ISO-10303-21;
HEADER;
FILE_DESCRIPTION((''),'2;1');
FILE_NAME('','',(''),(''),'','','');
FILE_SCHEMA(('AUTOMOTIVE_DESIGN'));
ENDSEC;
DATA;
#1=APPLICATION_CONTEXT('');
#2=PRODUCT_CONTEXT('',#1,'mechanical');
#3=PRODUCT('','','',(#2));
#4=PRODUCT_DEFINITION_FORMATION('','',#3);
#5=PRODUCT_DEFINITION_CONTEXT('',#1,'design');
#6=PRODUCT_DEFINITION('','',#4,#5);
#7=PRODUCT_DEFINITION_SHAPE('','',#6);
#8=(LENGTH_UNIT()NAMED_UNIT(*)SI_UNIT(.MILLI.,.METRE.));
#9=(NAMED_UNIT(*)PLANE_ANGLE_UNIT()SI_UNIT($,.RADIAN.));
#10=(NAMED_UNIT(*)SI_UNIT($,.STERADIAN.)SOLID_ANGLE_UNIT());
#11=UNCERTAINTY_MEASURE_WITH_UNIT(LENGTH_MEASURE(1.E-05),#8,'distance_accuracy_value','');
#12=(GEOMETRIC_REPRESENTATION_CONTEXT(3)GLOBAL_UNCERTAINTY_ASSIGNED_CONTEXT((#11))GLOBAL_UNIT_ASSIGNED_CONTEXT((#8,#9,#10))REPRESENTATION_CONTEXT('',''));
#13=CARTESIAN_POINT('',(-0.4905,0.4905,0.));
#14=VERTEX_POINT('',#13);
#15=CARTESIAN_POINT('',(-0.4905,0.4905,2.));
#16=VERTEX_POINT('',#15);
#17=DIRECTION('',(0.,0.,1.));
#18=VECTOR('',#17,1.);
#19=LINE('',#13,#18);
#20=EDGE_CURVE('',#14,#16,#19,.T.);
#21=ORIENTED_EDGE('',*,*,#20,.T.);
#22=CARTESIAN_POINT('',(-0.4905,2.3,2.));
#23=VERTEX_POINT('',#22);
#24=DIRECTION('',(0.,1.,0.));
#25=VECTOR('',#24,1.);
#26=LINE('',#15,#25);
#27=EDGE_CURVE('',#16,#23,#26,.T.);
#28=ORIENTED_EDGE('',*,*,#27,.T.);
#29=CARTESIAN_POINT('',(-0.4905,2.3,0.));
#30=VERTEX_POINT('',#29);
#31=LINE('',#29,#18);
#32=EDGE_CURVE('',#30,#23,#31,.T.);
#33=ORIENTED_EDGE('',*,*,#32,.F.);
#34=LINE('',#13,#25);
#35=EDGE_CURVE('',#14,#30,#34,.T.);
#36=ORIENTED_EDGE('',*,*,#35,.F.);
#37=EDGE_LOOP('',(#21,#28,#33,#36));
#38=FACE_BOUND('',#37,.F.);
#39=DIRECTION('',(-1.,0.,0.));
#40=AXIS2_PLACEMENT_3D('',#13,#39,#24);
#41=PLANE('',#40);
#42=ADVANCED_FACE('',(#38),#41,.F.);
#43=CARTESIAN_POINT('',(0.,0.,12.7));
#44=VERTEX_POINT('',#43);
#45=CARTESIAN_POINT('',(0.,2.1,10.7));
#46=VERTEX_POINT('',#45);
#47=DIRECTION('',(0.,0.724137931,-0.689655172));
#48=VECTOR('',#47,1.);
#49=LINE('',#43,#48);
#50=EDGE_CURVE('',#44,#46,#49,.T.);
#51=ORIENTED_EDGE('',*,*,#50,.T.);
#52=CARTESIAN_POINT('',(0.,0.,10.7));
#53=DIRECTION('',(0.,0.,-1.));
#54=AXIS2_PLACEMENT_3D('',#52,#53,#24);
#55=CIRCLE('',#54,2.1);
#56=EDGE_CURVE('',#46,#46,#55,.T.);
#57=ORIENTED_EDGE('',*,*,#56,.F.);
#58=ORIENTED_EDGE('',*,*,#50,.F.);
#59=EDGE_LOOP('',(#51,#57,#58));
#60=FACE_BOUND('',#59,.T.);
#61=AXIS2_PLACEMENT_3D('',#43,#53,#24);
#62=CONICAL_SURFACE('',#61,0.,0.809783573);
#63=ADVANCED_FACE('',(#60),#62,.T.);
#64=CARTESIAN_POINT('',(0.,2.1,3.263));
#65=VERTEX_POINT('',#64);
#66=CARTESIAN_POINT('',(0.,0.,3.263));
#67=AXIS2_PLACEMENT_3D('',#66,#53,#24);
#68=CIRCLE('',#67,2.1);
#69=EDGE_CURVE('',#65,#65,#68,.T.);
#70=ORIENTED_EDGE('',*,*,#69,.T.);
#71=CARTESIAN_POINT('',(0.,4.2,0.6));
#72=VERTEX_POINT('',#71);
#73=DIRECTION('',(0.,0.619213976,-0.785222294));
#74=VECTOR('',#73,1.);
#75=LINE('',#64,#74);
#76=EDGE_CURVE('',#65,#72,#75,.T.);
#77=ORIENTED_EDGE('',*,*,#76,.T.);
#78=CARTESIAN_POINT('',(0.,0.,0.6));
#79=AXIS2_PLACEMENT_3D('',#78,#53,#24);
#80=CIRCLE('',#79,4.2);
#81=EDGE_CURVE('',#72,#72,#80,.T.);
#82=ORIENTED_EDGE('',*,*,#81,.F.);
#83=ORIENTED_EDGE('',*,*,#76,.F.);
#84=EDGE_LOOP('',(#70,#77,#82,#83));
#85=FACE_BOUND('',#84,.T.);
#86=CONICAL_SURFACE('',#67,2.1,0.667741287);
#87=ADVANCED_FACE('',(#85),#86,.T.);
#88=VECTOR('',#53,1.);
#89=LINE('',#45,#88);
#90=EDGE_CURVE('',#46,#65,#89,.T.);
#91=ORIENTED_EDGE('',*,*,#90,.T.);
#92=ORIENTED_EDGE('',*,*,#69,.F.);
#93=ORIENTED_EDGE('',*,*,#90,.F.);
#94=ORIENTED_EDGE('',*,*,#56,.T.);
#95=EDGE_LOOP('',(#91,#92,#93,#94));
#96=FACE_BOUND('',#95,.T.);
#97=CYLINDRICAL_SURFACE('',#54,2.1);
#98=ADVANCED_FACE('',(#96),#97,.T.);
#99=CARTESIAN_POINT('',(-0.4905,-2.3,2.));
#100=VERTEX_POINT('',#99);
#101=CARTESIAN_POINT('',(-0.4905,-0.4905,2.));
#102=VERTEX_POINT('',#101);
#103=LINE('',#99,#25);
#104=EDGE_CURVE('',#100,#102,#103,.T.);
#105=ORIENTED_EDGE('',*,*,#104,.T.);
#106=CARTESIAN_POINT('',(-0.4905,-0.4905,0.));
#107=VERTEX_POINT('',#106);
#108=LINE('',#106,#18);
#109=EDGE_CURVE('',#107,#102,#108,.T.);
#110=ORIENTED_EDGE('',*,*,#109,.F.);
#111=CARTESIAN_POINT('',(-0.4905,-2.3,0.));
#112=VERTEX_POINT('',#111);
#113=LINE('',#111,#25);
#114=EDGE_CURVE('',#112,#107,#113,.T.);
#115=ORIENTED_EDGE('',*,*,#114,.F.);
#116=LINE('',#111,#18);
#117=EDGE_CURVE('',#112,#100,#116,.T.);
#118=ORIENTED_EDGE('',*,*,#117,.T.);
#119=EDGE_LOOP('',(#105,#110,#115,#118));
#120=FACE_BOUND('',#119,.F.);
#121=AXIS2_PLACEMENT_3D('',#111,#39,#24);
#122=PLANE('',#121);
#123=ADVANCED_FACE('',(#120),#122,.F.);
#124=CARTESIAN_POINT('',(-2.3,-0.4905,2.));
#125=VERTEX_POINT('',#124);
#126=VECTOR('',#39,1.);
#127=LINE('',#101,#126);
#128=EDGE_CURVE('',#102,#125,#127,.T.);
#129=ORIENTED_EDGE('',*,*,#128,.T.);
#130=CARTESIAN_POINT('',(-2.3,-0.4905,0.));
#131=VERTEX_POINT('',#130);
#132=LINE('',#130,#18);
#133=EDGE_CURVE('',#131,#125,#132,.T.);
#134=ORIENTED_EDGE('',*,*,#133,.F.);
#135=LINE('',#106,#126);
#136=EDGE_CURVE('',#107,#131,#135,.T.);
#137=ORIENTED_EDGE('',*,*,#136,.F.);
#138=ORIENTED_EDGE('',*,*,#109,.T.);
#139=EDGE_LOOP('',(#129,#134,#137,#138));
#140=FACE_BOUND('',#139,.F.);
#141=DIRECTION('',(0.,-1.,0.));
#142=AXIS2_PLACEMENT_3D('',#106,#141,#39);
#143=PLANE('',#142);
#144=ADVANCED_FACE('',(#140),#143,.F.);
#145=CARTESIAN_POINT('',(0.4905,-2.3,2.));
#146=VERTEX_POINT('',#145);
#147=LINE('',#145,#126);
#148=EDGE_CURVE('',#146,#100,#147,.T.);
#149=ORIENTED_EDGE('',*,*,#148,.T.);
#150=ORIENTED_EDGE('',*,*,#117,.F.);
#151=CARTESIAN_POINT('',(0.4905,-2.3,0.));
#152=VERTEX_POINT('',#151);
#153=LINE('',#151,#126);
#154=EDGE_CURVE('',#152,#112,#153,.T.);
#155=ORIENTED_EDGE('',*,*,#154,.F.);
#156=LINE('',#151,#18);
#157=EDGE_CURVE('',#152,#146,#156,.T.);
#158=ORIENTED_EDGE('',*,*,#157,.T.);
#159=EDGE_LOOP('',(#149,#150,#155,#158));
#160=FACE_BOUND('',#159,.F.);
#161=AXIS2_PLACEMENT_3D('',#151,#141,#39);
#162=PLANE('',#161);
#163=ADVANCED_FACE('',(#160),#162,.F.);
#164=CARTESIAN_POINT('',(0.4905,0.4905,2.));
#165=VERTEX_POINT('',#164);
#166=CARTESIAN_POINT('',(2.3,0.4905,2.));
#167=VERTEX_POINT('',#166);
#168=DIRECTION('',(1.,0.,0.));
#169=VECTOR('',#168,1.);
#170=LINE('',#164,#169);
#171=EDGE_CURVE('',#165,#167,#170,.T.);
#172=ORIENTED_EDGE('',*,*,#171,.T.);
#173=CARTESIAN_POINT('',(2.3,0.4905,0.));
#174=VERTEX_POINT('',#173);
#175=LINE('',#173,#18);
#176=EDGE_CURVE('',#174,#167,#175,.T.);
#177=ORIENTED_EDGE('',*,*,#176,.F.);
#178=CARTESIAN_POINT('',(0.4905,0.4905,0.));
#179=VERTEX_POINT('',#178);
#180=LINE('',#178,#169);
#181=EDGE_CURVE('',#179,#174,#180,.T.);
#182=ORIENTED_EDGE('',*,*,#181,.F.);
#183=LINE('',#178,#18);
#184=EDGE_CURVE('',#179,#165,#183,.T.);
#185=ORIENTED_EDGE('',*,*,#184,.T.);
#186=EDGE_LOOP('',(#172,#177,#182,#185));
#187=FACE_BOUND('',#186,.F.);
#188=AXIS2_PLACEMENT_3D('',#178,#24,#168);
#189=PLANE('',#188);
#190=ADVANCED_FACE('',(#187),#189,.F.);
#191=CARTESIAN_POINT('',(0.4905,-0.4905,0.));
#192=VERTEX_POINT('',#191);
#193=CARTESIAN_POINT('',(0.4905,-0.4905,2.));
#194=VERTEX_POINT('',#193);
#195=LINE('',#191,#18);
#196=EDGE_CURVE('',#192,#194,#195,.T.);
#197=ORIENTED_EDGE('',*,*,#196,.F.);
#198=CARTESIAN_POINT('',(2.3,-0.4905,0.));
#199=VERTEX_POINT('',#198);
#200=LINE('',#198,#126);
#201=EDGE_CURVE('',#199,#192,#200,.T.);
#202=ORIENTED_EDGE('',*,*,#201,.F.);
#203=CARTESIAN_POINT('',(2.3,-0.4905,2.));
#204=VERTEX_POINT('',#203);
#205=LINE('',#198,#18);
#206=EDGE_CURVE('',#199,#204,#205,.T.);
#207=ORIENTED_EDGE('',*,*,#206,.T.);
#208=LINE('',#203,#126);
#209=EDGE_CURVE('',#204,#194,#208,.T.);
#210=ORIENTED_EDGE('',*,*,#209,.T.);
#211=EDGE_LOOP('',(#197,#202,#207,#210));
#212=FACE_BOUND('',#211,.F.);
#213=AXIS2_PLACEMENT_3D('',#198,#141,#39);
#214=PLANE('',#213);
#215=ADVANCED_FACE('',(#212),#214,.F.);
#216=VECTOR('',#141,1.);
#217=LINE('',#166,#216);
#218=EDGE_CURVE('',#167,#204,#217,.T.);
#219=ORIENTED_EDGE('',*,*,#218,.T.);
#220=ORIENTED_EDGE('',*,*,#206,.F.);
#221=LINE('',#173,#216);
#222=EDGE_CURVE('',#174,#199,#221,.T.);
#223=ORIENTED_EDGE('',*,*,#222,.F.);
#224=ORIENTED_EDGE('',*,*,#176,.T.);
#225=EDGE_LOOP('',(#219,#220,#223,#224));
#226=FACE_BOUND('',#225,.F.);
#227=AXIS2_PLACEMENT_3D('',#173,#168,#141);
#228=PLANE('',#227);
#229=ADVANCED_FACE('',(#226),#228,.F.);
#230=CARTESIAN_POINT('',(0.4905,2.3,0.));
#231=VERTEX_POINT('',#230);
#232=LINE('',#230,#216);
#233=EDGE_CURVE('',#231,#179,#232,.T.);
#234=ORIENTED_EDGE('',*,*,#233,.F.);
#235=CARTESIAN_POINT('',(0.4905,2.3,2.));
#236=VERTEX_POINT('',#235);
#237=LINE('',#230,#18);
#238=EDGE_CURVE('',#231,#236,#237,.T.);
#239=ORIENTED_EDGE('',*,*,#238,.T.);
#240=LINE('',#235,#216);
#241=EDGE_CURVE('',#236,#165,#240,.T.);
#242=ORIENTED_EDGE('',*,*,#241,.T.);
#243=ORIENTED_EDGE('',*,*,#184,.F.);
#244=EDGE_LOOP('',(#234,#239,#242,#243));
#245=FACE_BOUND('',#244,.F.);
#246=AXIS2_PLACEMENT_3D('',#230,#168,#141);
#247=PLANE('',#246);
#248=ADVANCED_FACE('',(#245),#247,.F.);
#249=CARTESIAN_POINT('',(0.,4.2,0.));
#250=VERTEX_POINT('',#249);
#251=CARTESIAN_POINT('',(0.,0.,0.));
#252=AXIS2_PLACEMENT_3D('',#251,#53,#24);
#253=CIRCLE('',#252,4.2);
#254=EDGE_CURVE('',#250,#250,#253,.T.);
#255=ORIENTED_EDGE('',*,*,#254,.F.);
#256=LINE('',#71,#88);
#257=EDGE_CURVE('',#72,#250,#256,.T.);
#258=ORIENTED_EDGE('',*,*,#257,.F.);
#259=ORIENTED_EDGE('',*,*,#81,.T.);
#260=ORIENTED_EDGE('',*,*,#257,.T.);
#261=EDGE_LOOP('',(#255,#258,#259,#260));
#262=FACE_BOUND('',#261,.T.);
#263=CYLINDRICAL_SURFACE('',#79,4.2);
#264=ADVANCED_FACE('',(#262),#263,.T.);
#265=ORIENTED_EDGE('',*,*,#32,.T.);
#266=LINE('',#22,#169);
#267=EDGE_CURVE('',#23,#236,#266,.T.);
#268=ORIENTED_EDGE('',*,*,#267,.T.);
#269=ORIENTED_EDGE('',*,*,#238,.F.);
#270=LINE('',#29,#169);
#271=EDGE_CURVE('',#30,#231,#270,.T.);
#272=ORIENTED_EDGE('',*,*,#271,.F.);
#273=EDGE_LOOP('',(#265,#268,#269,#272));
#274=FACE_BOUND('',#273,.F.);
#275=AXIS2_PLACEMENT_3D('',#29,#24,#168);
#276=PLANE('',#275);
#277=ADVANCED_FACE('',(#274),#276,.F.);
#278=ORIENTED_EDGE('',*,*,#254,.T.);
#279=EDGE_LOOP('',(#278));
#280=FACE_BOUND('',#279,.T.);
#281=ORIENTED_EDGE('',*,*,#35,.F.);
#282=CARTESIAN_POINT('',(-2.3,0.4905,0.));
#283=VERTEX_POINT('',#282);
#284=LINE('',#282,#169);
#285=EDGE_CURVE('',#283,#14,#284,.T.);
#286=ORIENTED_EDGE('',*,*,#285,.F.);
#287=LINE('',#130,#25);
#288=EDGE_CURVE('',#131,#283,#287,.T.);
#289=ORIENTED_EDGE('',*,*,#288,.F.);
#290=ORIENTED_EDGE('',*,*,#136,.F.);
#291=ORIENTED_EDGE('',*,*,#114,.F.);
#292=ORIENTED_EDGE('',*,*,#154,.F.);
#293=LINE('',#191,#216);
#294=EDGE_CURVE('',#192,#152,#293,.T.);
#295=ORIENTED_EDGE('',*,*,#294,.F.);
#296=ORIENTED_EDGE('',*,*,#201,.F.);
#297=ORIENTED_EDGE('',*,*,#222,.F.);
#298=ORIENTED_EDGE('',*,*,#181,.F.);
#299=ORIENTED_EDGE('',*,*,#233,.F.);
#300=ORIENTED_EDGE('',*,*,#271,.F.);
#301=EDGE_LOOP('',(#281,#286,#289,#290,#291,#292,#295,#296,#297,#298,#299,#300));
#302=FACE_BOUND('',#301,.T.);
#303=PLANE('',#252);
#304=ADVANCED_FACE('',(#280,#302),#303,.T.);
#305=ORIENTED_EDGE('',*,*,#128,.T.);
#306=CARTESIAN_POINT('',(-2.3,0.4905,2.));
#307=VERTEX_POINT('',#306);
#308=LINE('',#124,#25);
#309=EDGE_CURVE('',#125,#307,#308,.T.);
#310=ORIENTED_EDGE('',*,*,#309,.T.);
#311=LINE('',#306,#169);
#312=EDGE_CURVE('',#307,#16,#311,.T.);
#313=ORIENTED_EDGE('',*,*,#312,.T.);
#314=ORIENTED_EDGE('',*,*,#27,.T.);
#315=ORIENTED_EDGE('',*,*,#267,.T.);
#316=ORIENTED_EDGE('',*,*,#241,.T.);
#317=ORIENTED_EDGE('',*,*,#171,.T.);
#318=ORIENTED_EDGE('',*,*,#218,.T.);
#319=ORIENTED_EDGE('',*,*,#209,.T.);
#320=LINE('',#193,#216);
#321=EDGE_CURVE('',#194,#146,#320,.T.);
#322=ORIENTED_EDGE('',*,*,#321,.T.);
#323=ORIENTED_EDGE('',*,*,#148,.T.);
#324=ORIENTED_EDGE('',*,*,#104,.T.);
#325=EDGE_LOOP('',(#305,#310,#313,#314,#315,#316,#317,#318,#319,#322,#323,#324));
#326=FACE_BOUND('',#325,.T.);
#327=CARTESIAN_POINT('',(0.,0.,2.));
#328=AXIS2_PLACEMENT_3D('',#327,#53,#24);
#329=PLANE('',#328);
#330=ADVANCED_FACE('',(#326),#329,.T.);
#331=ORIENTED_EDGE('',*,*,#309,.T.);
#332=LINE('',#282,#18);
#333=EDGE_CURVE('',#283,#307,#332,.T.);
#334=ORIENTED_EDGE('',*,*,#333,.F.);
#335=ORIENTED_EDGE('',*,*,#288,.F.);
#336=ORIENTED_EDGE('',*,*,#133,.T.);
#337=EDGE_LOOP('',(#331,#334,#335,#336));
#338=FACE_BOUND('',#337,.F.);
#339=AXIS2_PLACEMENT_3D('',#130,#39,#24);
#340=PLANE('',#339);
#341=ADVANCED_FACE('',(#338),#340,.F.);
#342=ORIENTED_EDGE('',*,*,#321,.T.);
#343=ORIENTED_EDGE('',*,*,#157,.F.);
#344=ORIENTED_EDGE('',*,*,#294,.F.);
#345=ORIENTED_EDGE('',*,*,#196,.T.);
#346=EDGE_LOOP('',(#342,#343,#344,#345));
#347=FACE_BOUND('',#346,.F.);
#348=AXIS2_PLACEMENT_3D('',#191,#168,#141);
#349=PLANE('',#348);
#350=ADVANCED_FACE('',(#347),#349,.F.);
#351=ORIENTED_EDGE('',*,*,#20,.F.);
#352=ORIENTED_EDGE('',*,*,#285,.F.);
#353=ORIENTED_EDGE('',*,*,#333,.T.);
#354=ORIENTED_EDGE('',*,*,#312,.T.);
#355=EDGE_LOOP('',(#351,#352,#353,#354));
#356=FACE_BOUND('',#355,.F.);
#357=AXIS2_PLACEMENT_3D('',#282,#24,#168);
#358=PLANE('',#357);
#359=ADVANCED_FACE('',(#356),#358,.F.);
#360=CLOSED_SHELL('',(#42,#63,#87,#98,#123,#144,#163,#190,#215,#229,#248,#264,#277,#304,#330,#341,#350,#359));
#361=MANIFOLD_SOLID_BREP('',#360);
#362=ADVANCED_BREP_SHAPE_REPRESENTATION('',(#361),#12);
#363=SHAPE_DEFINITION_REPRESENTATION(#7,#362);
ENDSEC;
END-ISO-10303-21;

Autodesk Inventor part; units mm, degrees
sketch "Sketch_1" plane through (0, 0, 0) normal (1, 0, 0) x (0, 1, 0)
  line L0 (0, 0) -> (0, 12.7)
  line L1 (0, 12.7) -> (2.1, 10.7)
  line L2 (2.1, 10.7) -> (2.1, 3.263)
  line L3 (2.1, 3.263) -> (4.2, 0.6)
  line L4 (4.2, 0.6) -> (4.2, 0)
  line L5 (4.2, 0) -> (0, 0)
  line L6 (0, 0) -> (0, 12.7)
revolve "Revolution1" add sketch "Sketch_1" angle 360 about axis through (0, 0, 0) along (0, 0, -1)
sketch "Sketch_3" plane through (0, 0, 0) normal (0, 0, -1) x (0, 1, 0)
  line L0 (-2.3, -0.4905) -> (-0.4905, -0.4905)
  line L1 (-0.4905, -0.4905) -> (-0.4905, -2.3)
  line L2 (-0.4905, -2.3) -> (0.4905, -2.3)
  line L3 (0.4905, -2.3) -> (0.4905, -0.4905)
  line L4 (0.4905, -0.4905) -> (2.3, -0.4905)
  line L5 (2.3, -0.4905) -> (2.3, 0.4905)
  line L6 (2.3, 0.4905) -> (0.4905, 0.4905)
  line L7 (0.4905, 0.4905) -> (0.4905, 2.3)
  line L8 (0.4905, 2.3) -> (-0.4905, 2.3)
  line L9 (-0.4905, 2.3) -> (-0.4905, 0.4905)
  line L10 (-0.4905, 0.4905) -> (-2.3, 0.4905)
  line L11 (-2.3, 0.4905) -> (-2.3, -0.4905)
extrude "Extrusion1" cut sketch "Sketch_3" against normal blind 2
ref_plane "CS_ANBAU_XY" through (0, 0, 0) normal (0, 0, -1) x (0, 1, 0)
ref_plane "CS_ANBAU_YZ" through (0, 0, 0) normal (0, 1, 0) x (1, 0, 0)
ref_plane "CS_ANBAU_ZX" through (0, 0, 0) normal (1, 0, 0) x (0, 0, -1)
properties part number "100031"
